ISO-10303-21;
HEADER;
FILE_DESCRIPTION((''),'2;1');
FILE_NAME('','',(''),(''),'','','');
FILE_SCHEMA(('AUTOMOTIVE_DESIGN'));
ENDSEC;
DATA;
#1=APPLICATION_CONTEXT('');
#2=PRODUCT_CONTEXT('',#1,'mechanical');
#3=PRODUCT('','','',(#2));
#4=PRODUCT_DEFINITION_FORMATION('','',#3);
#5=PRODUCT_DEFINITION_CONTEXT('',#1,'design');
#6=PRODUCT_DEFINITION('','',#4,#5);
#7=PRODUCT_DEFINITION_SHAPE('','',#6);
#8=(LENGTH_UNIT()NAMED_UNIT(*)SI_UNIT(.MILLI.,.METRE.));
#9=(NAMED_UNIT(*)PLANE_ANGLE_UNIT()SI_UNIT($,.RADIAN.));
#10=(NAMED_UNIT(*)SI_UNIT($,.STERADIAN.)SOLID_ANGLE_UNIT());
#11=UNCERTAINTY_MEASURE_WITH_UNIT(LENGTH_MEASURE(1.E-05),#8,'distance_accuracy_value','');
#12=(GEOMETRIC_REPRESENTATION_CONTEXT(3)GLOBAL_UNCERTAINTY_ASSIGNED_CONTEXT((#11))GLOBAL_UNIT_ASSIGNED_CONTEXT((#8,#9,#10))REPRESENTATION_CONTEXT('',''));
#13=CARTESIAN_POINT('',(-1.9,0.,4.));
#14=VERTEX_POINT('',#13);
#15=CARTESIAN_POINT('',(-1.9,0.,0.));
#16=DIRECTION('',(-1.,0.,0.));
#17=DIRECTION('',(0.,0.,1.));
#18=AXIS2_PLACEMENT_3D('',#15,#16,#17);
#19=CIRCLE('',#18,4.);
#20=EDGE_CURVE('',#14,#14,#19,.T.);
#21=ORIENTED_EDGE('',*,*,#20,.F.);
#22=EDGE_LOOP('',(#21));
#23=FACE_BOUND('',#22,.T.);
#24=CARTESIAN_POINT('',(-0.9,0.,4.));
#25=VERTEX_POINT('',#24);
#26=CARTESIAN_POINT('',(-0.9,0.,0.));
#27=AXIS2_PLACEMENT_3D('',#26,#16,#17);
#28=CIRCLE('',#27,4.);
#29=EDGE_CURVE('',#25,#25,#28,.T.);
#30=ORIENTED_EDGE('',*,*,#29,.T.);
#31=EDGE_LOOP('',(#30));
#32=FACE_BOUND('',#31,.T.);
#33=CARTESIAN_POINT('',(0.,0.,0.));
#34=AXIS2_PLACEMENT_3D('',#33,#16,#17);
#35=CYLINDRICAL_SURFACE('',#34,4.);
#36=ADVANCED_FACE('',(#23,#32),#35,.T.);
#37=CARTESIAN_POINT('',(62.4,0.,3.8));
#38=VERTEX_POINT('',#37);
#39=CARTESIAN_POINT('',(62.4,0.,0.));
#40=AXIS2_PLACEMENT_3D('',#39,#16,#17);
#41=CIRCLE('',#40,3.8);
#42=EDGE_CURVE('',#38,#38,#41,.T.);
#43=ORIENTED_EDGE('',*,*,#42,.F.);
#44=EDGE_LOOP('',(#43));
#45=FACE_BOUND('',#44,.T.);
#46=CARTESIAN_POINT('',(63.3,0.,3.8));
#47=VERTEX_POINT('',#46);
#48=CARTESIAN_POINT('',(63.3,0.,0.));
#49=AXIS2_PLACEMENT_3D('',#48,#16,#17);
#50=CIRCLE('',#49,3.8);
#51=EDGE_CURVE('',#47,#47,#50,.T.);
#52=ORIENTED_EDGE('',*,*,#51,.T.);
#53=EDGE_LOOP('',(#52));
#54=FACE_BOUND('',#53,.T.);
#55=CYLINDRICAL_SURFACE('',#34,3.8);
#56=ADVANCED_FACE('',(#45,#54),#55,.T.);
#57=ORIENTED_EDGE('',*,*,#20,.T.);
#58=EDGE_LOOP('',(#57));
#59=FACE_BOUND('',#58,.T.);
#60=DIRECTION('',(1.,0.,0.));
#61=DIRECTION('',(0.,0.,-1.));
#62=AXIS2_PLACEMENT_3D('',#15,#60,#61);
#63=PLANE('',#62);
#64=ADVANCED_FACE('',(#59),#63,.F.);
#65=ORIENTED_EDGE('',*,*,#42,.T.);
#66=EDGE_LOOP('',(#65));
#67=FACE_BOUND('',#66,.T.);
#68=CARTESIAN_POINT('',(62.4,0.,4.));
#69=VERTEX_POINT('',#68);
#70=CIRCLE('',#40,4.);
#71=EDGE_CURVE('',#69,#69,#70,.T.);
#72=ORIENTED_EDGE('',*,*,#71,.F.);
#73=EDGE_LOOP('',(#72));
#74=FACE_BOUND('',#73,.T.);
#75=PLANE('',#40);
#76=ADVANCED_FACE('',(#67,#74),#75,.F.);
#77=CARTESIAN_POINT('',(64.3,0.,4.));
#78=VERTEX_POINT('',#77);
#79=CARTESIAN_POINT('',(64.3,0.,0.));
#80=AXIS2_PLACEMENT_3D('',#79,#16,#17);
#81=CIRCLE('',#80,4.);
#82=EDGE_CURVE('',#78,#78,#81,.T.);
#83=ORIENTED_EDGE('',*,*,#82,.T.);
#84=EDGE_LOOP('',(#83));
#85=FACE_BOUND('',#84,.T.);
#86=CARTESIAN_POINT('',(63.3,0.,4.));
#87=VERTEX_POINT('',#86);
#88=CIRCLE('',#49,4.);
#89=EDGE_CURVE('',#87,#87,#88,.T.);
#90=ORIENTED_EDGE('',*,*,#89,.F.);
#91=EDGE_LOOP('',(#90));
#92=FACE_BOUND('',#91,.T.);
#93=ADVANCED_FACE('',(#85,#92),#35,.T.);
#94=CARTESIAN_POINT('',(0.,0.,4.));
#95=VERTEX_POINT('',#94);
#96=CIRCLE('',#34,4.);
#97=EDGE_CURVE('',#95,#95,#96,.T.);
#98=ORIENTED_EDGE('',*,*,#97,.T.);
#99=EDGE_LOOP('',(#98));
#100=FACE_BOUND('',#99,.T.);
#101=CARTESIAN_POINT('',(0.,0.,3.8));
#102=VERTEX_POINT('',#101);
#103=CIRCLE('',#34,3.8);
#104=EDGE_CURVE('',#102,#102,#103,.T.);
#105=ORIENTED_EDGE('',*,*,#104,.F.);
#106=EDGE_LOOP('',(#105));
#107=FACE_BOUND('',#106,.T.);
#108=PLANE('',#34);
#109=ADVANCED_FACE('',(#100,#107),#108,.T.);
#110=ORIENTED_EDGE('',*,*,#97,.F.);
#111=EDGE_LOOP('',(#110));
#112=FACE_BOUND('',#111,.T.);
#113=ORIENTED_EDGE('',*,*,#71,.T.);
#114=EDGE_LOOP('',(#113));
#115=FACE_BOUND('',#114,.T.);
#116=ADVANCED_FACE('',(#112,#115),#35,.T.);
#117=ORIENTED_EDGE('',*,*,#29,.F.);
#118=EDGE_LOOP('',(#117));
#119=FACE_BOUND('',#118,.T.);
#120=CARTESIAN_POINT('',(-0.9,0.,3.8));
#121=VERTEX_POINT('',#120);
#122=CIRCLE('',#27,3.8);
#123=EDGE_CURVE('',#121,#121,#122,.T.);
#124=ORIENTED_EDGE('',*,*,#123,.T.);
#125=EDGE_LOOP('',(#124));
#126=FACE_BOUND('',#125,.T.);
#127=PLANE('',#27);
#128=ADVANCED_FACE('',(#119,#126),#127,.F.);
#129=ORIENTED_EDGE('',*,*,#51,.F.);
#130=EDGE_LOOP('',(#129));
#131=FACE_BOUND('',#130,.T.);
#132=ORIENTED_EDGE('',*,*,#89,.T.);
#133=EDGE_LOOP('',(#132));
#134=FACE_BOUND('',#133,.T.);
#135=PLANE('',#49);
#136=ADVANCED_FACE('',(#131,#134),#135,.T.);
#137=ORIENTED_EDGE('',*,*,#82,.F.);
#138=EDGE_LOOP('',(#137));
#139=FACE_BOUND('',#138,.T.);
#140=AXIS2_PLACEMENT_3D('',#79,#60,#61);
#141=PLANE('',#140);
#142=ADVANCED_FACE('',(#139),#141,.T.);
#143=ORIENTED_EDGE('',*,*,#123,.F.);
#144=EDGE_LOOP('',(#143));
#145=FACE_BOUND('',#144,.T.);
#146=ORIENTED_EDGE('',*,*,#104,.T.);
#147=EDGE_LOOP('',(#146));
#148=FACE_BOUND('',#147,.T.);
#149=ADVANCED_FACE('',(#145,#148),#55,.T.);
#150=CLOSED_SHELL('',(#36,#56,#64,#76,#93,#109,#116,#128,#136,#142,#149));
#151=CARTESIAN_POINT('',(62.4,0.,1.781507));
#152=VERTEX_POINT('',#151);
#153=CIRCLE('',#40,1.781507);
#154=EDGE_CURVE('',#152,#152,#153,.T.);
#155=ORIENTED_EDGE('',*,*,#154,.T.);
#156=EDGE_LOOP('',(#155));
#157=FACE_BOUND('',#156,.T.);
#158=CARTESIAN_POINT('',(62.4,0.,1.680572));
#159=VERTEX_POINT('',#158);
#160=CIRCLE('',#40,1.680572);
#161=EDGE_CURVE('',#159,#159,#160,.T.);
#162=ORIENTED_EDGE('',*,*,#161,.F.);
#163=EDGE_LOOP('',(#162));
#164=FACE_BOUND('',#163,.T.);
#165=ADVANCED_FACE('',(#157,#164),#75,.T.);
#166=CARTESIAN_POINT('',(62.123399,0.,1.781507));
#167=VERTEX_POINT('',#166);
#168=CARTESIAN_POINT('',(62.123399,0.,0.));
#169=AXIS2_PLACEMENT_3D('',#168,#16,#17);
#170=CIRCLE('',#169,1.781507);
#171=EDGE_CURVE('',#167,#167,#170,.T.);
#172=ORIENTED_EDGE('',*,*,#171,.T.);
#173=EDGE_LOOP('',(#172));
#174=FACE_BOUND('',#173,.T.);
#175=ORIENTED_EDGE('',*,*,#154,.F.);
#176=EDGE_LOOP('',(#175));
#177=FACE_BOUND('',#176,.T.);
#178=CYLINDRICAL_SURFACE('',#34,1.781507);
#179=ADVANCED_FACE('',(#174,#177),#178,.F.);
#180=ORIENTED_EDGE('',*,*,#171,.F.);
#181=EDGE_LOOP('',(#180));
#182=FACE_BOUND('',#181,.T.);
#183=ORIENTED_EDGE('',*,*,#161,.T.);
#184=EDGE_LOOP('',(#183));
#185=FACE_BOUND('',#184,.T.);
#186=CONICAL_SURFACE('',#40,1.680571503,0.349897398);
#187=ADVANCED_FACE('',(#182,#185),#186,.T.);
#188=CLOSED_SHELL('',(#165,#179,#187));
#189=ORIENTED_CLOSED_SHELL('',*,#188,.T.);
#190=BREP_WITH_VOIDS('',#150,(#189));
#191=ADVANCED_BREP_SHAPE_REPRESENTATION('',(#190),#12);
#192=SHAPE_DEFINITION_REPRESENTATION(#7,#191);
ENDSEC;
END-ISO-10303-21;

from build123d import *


with BuildPart() as part:
    # Sketch1 → Revolve1 (revolve)
    with BuildSketch(Plane.XY, mode=Mode.PRIVATE) as revolve1_sk:
        Polygon((-1.9, 4), (-1.9, 0), (0, 0), (62.4, 0), (64.3, 0), (64.3, 4), (63.3, 4), (63.3, 3.8), (62.4, 3.8), (62.4, 4), (0, 4), (0, 3.8), (-0.9, 3.8), (-0.9, 4), align=None)
        Polygon((62.4, 1.680571503), (62.4, 1.781506728), (62.123398622, 1.781506728), align=None, mode=Mode.SUBTRACT)
    revolve(revolve1_sk.sketch.rotate(Axis((0, 0, 0), (1, 0, 0)), 90), axis=Axis((0, 0, 0), (1, 0, 0)))


solid = part.part
